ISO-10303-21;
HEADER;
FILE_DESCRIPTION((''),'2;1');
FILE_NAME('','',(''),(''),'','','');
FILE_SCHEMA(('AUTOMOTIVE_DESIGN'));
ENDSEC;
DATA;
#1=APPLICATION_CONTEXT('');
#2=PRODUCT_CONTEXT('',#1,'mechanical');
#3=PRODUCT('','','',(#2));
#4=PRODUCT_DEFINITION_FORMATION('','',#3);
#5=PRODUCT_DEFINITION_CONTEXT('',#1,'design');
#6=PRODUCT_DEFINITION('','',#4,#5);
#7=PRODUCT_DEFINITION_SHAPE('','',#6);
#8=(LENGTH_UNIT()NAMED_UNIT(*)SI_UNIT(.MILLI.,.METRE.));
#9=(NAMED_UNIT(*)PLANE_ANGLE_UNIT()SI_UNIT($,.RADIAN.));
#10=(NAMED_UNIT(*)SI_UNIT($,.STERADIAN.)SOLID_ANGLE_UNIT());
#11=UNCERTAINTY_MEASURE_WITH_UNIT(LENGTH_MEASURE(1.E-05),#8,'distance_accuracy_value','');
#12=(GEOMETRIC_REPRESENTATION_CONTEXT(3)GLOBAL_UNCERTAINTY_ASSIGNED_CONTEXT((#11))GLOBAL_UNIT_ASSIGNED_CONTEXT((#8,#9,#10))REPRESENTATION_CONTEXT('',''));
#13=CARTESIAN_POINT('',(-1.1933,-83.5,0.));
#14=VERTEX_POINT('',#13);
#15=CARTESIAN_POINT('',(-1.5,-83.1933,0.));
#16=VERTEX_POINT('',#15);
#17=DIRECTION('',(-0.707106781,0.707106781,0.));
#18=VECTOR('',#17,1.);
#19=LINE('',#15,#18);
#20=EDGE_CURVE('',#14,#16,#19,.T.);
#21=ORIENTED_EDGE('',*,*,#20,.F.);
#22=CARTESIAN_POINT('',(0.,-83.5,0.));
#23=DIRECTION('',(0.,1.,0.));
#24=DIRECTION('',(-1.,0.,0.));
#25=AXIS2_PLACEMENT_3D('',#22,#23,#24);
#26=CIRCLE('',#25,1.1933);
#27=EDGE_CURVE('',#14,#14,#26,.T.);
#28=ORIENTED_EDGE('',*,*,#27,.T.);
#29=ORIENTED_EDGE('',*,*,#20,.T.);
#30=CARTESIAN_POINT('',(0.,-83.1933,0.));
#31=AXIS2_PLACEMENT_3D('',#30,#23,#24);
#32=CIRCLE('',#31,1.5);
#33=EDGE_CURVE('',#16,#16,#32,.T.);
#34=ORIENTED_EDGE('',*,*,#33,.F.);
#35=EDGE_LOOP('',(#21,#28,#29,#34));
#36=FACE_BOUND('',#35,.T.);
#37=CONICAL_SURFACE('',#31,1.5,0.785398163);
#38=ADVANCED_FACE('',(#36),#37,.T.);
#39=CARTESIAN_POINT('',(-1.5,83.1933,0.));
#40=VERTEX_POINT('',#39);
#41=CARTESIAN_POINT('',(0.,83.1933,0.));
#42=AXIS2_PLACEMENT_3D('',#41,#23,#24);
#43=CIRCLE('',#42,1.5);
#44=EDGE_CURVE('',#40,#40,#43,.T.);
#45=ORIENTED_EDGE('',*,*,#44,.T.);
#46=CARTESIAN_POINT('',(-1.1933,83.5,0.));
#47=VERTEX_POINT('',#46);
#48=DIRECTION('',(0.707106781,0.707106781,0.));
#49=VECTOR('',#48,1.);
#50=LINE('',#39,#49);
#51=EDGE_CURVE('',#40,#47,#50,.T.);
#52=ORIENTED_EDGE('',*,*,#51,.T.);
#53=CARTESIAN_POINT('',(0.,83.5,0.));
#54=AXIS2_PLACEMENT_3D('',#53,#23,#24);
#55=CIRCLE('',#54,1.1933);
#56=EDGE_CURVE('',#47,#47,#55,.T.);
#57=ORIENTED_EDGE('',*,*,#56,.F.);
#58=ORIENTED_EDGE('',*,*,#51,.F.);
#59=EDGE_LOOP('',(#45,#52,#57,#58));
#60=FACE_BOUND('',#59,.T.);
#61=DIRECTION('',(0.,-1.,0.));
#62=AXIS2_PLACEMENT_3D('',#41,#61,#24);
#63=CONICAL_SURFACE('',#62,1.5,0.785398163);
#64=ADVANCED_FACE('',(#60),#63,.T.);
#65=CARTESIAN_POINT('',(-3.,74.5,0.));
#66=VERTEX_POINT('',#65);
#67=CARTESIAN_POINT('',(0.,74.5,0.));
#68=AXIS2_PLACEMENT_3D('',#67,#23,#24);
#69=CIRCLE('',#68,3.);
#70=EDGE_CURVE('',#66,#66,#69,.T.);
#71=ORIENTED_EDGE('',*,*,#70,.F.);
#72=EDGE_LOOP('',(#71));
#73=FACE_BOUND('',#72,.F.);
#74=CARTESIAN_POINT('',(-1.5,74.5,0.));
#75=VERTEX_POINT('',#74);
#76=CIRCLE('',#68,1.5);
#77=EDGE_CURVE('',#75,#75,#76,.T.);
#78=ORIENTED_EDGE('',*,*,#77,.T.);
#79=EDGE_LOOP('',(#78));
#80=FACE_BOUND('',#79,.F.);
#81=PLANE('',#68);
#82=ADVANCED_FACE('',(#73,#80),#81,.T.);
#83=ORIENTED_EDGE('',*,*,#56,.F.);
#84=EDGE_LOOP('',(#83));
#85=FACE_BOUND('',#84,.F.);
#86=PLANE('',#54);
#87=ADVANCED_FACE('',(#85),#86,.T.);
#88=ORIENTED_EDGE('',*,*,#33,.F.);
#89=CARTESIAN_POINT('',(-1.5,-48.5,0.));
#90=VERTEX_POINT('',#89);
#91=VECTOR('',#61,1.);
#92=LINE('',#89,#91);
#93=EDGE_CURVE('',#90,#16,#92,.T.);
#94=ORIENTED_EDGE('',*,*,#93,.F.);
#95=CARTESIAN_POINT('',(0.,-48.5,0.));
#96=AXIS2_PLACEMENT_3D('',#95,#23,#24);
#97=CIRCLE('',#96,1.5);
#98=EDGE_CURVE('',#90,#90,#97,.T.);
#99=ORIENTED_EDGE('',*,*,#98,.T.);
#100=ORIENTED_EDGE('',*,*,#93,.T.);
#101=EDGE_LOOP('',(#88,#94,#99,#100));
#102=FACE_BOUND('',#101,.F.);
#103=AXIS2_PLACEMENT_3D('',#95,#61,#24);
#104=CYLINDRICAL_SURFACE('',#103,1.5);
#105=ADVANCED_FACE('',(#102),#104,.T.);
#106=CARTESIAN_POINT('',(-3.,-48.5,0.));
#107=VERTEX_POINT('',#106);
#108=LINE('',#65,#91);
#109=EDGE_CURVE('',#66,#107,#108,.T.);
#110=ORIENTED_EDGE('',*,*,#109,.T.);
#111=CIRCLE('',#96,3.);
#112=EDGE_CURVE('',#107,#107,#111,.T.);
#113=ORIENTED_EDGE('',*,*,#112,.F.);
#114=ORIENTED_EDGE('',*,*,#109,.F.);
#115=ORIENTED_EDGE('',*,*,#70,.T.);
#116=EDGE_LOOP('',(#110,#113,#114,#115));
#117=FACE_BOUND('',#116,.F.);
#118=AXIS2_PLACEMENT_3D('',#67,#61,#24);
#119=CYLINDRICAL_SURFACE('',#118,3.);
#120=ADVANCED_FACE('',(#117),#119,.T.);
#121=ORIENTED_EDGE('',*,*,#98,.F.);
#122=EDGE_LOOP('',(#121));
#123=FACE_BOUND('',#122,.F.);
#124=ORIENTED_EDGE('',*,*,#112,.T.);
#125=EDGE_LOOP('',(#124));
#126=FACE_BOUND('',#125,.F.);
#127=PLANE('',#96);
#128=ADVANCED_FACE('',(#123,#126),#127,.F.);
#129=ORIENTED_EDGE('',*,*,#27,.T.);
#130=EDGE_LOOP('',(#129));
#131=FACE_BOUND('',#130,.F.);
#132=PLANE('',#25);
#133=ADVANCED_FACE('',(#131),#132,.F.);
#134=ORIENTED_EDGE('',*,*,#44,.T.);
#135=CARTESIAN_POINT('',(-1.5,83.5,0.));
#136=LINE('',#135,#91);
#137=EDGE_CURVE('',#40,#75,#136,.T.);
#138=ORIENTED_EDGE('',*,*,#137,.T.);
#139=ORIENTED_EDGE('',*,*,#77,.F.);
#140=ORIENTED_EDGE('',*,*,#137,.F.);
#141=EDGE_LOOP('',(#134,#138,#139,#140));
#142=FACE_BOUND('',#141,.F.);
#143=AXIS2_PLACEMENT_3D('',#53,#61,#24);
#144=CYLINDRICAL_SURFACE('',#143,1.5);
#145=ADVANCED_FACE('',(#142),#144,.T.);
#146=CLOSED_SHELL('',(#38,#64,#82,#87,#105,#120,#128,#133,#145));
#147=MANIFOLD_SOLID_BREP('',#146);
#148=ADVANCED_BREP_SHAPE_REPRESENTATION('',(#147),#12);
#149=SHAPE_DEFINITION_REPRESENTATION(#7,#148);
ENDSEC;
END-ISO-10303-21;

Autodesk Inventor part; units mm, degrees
ref_plane "YZ Plane" through (0, 0, 0) normal (1, 0, 0) x (0, 1, 0)
ref_plane "XZ Plane" through (0, 0, 0) normal (0, 1, 0) x (-1, 0, 0)
ref_plane "XY Plane" through (0, 0, 0) normal (0, 0, 1) x (1, 0, 0)
sketch "Boceto1" plane through (0, 0, 0) normal (0, 0, 1) x (1, 0, 0)
  line L0 (0, -83.5) -> (0, 83.5)
  line L1 (0, 83.5) -> (-1.5, 83.5)
  line L2 (-1.5, 83.5) -> (-1.5, 74.5)
  line L3 (-1.5, 74.5) -> (-3, 74.5)
  line L4 (-3, 74.5) -> (-3, -48.5)
  line L5 (-3, -48.5) -> (-1.5, -48.5)
  line L6 (-1.5, -48.5) -> (-1.5, -83.5)
  line L7 (-1.5, -83.5) -> (0, -83.5)
  point P0 (0, 0)
  point P1 (0, 0)
  dimension "d1" = 3
  dimension "d2" = 6
  dimension "d3" = 9
  dimension "d4" = 123
  dimension "d8" = 35
revolve "Revolución1" add sketch "Boceto1" angle 360 about axis through (0, -83.5, 0) along (0, 1, 0)
thread "Rosca1" size "M3x0.5" class "6g" standard "ANSI Metric M Profile" full length
chamfer "Chaflán1" distance 0.3067 angle 45 2 edges at (1.5, 83.5, 0) (1.5, -83.5, 0)
properties part number "Columnas" material "Aluminio 6061"
